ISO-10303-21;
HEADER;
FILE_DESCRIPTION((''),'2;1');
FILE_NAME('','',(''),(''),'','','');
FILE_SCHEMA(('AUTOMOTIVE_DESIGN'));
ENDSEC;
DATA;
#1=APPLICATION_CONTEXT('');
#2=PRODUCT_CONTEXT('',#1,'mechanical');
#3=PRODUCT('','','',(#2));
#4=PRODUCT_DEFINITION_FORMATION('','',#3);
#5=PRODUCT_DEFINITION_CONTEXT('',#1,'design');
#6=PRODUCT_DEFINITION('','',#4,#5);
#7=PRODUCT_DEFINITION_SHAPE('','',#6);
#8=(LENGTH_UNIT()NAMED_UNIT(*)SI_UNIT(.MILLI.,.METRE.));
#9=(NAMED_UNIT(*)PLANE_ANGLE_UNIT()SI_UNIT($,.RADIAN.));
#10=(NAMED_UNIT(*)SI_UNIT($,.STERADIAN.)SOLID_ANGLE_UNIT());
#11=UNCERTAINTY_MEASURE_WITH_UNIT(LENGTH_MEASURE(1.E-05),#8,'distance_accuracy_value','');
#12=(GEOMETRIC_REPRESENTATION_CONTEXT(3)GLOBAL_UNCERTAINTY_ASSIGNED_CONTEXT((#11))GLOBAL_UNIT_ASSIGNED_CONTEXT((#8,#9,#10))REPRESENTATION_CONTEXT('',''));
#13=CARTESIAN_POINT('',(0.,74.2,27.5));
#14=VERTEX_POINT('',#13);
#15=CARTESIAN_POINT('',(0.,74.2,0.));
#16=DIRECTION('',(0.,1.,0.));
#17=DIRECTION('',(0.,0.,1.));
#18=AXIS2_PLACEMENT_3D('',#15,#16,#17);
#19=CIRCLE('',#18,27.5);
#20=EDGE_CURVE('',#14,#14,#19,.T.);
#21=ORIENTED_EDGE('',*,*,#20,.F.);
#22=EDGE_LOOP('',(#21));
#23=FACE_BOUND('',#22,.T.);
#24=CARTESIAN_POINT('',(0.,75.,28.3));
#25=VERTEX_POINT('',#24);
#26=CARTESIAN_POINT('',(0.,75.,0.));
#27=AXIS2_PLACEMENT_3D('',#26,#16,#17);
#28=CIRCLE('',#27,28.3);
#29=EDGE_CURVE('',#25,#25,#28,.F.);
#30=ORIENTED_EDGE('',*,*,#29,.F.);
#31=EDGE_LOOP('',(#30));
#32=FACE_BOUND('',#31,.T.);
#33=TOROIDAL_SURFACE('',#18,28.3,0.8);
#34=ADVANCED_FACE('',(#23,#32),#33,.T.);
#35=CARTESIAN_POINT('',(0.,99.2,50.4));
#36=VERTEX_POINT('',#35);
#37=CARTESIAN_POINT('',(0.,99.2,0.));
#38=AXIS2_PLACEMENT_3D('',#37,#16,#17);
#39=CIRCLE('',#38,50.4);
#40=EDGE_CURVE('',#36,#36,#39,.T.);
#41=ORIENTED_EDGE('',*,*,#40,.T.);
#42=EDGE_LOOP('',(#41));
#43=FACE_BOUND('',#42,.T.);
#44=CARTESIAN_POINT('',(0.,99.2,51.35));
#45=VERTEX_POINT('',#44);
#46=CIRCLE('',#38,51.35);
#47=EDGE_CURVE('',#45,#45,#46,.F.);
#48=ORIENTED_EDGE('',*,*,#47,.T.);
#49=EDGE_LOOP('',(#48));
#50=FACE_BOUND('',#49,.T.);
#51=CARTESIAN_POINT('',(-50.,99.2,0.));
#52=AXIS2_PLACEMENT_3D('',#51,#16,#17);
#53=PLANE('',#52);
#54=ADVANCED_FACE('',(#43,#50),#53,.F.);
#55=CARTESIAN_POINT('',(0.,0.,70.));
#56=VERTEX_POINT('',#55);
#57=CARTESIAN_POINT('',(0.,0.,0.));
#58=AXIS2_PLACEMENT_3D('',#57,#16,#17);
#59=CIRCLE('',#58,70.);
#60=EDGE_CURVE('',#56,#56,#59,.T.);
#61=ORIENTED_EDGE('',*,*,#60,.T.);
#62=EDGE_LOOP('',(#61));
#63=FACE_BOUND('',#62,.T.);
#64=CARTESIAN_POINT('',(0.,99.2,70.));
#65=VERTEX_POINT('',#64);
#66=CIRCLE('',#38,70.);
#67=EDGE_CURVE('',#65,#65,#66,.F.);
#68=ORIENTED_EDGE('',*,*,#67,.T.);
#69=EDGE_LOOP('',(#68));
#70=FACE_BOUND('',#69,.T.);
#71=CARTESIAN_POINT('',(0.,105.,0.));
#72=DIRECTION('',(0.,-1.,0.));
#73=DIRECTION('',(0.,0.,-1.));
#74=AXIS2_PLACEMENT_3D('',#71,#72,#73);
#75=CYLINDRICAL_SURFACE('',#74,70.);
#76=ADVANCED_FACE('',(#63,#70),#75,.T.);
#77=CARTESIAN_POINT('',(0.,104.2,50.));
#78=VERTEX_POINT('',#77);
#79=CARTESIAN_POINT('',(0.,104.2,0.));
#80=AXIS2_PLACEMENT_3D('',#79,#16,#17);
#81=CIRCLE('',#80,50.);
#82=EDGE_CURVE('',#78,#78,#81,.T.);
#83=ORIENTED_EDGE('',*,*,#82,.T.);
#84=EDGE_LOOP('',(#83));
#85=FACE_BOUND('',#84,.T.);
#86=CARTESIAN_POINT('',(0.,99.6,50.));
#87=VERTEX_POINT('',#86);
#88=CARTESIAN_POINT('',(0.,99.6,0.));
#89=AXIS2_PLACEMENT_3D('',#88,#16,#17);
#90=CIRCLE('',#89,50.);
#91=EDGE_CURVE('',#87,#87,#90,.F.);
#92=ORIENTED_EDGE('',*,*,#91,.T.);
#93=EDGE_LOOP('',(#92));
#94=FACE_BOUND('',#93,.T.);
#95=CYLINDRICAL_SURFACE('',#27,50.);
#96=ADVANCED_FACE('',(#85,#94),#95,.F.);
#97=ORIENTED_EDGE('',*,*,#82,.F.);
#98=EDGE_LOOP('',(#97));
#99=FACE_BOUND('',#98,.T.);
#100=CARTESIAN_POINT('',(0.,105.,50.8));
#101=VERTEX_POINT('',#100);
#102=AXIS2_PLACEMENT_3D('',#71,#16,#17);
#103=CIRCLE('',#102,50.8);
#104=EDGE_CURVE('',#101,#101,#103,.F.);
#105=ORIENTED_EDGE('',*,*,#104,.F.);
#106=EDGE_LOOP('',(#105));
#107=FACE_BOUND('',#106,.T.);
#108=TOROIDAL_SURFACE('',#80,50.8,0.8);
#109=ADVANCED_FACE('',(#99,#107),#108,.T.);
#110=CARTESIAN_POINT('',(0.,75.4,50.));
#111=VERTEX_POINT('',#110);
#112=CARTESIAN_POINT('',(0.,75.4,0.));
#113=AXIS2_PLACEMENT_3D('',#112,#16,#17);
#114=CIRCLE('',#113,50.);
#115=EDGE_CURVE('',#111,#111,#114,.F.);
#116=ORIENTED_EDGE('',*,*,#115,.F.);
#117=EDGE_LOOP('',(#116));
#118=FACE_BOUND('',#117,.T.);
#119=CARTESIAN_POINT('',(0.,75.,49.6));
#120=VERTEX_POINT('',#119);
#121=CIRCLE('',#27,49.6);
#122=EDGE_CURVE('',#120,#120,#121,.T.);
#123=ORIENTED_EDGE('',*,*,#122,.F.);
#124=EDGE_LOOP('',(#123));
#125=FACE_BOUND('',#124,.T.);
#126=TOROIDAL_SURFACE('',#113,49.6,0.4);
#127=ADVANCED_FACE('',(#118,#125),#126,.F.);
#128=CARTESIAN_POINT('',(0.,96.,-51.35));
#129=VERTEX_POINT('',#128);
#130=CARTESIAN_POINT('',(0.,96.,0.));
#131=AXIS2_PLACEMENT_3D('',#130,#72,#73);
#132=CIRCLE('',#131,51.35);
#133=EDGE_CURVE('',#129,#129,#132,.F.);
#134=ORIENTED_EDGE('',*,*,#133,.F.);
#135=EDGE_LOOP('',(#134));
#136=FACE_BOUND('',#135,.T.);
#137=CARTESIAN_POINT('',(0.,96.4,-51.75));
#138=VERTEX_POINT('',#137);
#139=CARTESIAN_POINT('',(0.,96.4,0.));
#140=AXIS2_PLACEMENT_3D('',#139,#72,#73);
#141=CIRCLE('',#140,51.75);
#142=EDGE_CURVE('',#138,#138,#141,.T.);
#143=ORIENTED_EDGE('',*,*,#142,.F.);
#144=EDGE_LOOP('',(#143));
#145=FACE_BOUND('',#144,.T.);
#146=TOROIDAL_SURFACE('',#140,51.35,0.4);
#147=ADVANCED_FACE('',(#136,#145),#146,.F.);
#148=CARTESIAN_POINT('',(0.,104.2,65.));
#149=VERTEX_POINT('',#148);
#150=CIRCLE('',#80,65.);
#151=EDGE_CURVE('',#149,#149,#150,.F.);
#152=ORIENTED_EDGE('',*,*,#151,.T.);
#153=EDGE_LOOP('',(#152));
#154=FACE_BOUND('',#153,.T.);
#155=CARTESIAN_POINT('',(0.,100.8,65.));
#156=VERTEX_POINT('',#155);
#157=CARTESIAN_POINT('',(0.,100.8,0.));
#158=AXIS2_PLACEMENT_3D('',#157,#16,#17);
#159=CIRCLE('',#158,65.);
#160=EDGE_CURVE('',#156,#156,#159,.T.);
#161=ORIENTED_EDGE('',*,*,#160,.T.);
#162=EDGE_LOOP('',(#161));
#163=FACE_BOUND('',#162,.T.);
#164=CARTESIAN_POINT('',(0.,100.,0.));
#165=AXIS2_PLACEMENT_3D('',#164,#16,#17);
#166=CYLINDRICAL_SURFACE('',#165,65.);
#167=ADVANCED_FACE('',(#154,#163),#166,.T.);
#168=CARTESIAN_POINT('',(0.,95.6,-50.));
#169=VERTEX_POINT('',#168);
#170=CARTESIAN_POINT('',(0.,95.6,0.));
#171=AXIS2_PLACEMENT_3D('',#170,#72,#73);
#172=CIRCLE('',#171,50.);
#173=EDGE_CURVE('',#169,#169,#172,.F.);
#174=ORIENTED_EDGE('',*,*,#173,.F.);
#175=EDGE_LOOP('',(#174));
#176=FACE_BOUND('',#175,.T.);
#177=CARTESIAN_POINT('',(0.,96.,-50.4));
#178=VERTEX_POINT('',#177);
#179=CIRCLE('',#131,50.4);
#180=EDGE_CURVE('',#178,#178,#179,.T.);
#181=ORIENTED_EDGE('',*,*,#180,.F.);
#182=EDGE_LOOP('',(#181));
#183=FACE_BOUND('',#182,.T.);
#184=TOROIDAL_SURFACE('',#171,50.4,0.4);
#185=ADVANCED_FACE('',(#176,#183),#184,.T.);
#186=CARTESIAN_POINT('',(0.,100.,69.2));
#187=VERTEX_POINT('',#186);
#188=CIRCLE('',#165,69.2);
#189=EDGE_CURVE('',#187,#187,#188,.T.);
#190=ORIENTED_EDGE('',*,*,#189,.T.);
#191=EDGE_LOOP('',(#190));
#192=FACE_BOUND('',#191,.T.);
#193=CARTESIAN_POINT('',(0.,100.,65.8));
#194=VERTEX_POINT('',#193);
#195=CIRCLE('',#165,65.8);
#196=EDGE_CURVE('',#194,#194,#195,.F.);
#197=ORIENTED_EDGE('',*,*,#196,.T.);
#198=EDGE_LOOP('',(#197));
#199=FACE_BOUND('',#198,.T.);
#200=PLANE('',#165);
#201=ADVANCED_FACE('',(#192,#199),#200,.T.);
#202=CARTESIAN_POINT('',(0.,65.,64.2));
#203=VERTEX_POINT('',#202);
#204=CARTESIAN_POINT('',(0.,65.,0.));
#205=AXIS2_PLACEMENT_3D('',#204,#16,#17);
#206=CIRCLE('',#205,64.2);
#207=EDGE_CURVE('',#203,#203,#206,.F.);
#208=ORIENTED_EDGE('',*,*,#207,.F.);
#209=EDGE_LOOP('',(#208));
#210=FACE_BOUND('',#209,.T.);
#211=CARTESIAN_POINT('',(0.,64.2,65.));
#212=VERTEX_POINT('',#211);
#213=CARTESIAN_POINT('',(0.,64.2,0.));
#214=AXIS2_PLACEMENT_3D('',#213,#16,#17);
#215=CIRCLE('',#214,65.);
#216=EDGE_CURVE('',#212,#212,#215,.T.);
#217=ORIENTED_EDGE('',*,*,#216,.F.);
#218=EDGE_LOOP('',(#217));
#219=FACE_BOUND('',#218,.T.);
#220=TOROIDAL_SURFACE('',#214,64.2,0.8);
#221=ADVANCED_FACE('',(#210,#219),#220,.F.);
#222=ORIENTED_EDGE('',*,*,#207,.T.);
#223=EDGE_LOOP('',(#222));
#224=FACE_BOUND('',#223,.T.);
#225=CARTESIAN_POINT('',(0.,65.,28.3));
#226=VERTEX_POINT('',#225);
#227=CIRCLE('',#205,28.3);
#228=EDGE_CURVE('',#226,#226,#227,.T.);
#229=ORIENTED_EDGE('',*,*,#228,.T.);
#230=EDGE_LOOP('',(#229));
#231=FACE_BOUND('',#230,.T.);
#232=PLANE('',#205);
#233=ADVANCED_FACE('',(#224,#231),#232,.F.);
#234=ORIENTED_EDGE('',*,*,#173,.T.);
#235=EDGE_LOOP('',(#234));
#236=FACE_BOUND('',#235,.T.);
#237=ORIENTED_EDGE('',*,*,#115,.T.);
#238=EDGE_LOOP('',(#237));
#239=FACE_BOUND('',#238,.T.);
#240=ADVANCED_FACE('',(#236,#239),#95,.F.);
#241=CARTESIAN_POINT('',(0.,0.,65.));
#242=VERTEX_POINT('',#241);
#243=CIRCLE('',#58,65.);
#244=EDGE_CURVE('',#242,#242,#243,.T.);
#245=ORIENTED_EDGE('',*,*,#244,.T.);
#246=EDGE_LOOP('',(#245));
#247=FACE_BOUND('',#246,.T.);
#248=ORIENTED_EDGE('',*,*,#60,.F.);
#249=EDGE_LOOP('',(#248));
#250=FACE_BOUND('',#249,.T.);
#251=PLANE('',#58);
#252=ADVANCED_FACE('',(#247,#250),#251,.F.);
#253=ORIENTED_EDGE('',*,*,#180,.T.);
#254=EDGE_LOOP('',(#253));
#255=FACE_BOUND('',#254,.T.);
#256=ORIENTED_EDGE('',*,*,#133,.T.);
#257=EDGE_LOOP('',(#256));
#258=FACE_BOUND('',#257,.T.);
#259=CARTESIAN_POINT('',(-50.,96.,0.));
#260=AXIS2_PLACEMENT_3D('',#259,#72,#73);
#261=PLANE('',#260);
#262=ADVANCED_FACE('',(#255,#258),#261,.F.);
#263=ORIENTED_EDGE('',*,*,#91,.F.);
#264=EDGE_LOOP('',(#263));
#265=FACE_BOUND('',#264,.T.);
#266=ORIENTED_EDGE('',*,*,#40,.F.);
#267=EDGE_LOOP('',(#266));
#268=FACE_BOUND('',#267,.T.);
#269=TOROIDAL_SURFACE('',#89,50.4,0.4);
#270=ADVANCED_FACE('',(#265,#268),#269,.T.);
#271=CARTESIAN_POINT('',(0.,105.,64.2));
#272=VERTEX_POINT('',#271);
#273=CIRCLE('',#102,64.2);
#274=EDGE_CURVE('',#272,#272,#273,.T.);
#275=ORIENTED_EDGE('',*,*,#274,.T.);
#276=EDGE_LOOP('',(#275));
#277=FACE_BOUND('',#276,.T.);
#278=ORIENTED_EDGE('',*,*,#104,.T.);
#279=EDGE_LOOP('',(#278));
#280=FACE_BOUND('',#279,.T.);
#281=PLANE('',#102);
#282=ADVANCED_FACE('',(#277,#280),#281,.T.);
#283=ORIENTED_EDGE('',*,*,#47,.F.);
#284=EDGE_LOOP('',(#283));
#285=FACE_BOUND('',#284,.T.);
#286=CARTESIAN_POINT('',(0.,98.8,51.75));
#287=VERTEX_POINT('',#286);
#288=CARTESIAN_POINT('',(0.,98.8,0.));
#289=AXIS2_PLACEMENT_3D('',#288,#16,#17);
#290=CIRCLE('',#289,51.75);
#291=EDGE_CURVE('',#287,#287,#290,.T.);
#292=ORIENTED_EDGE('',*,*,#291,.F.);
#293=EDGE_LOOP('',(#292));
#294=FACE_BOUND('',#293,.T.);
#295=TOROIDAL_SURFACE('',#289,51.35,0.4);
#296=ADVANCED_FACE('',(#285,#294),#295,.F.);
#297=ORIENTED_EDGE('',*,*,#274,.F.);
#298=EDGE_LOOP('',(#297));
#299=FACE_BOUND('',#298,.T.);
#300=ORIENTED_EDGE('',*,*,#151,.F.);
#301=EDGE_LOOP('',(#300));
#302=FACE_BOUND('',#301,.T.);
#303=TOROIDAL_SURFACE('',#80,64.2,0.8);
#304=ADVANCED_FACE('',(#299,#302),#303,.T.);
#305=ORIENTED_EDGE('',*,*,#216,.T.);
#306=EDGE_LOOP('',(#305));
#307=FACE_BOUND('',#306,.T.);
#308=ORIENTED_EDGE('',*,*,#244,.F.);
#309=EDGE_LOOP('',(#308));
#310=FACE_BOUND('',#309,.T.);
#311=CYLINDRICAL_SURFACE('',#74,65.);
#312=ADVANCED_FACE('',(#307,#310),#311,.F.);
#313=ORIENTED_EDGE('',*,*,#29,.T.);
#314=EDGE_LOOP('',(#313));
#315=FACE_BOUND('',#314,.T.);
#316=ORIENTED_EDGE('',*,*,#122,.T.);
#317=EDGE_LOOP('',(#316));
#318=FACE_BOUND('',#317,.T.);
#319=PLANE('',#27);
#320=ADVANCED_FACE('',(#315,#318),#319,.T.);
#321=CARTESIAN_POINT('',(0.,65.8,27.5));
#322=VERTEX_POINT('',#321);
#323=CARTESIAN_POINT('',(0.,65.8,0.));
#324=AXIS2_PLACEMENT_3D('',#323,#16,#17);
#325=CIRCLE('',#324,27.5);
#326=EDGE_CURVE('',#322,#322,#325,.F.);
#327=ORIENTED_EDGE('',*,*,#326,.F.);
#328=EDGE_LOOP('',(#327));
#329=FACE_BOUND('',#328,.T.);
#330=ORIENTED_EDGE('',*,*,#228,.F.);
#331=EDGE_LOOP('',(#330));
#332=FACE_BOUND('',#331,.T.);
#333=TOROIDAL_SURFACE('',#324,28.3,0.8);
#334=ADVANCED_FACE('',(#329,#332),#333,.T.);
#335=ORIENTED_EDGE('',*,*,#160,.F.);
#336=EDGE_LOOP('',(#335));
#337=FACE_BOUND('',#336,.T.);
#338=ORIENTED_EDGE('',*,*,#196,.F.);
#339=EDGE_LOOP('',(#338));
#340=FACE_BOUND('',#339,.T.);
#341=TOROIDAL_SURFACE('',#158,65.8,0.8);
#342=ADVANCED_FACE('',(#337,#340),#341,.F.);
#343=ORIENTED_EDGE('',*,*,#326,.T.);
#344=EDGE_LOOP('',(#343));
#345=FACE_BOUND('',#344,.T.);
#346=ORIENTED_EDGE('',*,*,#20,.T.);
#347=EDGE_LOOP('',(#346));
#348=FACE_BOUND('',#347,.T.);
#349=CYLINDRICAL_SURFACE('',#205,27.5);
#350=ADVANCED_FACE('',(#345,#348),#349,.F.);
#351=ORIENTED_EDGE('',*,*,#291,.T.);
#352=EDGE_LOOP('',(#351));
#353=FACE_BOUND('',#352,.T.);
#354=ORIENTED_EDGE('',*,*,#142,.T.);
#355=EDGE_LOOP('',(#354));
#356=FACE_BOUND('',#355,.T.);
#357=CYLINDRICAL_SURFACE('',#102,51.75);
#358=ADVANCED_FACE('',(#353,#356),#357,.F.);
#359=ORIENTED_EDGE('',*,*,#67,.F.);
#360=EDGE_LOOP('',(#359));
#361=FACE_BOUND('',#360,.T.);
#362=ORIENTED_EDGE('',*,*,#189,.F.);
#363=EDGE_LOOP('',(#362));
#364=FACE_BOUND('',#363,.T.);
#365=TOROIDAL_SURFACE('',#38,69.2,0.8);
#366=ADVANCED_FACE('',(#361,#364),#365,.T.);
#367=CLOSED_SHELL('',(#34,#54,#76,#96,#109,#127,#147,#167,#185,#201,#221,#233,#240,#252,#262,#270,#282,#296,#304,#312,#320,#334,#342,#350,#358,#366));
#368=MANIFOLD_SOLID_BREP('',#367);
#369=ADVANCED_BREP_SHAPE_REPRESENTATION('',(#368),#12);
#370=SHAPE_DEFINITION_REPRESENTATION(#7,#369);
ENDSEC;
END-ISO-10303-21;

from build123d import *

# Parameters (mm, degrees)
SKETCH_1_R          = 70
SKETCH_1_R_2        = 65
EXTRUDE_1_DEPTH     = 105
EXTRUDE_START       = -40
SKETCH_2_R          = 65
SKETCH_2_R_2        = 27.5
EXTRUDE_2_DEPTH     = 40
CUT_EXTRUDE_START   = -30
SKETCH_3_R          = 50
SKETCH_3_R_2        = 27.5
CUT_EXTRUDE_2_DEPTH = 30
SKETCH_4_W          = 1.75
SKETCH_4_H          = 3.2
FILLET_2_R          = 0.4
FILLET_3_R          = 0.4
CUT_EXTRUDE_START_2 = -5
SKETCH_6_R          = 70
SKETCH_6_R_2        = 65
CUT_EXTRUDE_3_DEPTH = 5
FILLET_4_R          = 0.8
FILLET_5_R          = 0.8


with BuildPart() as part:
    # Эскиз1 → Бобышка-Вытянуть1 (new body)
    with BuildSketch(Plane(origin=(0, 0, 0), x_dir=(1, 0, 0), z_dir=(0, 1, 0))):
        with Locations(Location((0, 0, 0), (0, 0, 270))):
            Circle(SKETCH_1_R)
        with Locations(Location((0, 0, 0), (0, 0, 270))):
            Circle(SKETCH_1_R_2, mode=Mode.SUBTRACT)
    extrude(amount=EXTRUDE_1_DEPTH)

    # Эскиз2 → Бобышка-Вытянуть2 (add)
    with BuildSketch(Plane(origin=(0, 105, 0), x_dir=(1, 0, 0), z_dir=(0, 1, 0)).offset(EXTRUDE_START)):
        with Locations(Location((0, 0, 0), (0, 0, 270))):
            Circle(SKETCH_2_R)
        with Locations(Location((0, 0, 0), (0, 0, 270))):
            Circle(SKETCH_2_R_2, mode=Mode.SUBTRACT)
    extrude(amount=EXTRUDE_2_DEPTH)

    # Эскиз3 → Вырез-Вытянуть2 (cut)
    with BuildSketch(Plane(origin=(0, 105, 0), x_dir=(1, 0, 0), z_dir=(0, 1, 0)).offset(CUT_EXTRUDE_START)):
        with Locations(Location((0, 0, 0), (0, 0, 270))):
            Circle(SKETCH_3_R)
        with Locations(Location((0, 0, 0), (0, 0, 270))):
            Circle(SKETCH_3_R_2, mode=Mode.SUBTRACT)
    extrude(amount=CUT_EXTRUDE_2_DEPTH, mode=Mode.SUBTRACT)

    # Эскиз4 → Вырез-Повернуть1 (revolve, cut)
    with BuildSketch(Plane.XY, mode=Mode.PRIVATE) as cut_revolve_1_sk:
        with Locations((-50.875, 97.6)):
            Rectangle(SKETCH_4_W, SKETCH_4_H)
    revolve(cut_revolve_1_sk.sketch.rotate(Axis((0, 105, 0), (0, -1, 0)), 270), axis=Axis((0, 105, 0), (0, -1, 0)), mode=Mode.SUBTRACT)

    # Скругление2
    fillet_2_edges = [part.edges().sort_by_distance(p)[0] for p in [
        (0, 75, -50),
        (0, 99.2, -50),
        (0, 96, -51.75),
        (0, 96, -50),
    ]]
    fillet(fillet_2_edges, radius=FILLET_2_R)

    # Скругление3
    fillet_3_edges = [part.edges().sort_by_distance(p)[0] for p in [
        (0, 99.2, -51.75),
    ]]
    fillet(fillet_3_edges, radius=FILLET_3_R)

    # Эскиз6 → Вырез-Вытянуть3 (cut)
    with BuildSketch(Plane(origin=(0, 105, 0), x_dir=(1, 0, 0), z_dir=(0, 1, 0)).offset(CUT_EXTRUDE_START_2)):
        with Locations(Location((0, 0, 0), (0, 0, 270))):
            Circle(SKETCH_6_R)
        with Locations(Location((0, 0, 0), (0, 0, 270))):
            Circle(SKETCH_6_R_2, mode=Mode.SUBTRACT)
    extrude(amount=CUT_EXTRUDE_3_DEPTH, mode=Mode.SUBTRACT)

    # Скругление4
    fillet_4_edges = [part.edges().sort_by_distance(p)[0] for p in [
        (0, 105, -50),
        (0, 100, -70),
        (0, 100, -65),
        (0, 105, -65),
    ]]
    fillet(fillet_4_edges, radius=FILLET_4_R)

    # Скругление5
    fillet_5_edges = [part.edges().sort_by_distance(p)[0] for p in [
        (0, 65, -65),
        (0, 65, -27.5),
        (0, 75, -27.5),
    ]]
    fillet(fillet_5_edges, radius=FILLET_5_R)


solid = part.part
